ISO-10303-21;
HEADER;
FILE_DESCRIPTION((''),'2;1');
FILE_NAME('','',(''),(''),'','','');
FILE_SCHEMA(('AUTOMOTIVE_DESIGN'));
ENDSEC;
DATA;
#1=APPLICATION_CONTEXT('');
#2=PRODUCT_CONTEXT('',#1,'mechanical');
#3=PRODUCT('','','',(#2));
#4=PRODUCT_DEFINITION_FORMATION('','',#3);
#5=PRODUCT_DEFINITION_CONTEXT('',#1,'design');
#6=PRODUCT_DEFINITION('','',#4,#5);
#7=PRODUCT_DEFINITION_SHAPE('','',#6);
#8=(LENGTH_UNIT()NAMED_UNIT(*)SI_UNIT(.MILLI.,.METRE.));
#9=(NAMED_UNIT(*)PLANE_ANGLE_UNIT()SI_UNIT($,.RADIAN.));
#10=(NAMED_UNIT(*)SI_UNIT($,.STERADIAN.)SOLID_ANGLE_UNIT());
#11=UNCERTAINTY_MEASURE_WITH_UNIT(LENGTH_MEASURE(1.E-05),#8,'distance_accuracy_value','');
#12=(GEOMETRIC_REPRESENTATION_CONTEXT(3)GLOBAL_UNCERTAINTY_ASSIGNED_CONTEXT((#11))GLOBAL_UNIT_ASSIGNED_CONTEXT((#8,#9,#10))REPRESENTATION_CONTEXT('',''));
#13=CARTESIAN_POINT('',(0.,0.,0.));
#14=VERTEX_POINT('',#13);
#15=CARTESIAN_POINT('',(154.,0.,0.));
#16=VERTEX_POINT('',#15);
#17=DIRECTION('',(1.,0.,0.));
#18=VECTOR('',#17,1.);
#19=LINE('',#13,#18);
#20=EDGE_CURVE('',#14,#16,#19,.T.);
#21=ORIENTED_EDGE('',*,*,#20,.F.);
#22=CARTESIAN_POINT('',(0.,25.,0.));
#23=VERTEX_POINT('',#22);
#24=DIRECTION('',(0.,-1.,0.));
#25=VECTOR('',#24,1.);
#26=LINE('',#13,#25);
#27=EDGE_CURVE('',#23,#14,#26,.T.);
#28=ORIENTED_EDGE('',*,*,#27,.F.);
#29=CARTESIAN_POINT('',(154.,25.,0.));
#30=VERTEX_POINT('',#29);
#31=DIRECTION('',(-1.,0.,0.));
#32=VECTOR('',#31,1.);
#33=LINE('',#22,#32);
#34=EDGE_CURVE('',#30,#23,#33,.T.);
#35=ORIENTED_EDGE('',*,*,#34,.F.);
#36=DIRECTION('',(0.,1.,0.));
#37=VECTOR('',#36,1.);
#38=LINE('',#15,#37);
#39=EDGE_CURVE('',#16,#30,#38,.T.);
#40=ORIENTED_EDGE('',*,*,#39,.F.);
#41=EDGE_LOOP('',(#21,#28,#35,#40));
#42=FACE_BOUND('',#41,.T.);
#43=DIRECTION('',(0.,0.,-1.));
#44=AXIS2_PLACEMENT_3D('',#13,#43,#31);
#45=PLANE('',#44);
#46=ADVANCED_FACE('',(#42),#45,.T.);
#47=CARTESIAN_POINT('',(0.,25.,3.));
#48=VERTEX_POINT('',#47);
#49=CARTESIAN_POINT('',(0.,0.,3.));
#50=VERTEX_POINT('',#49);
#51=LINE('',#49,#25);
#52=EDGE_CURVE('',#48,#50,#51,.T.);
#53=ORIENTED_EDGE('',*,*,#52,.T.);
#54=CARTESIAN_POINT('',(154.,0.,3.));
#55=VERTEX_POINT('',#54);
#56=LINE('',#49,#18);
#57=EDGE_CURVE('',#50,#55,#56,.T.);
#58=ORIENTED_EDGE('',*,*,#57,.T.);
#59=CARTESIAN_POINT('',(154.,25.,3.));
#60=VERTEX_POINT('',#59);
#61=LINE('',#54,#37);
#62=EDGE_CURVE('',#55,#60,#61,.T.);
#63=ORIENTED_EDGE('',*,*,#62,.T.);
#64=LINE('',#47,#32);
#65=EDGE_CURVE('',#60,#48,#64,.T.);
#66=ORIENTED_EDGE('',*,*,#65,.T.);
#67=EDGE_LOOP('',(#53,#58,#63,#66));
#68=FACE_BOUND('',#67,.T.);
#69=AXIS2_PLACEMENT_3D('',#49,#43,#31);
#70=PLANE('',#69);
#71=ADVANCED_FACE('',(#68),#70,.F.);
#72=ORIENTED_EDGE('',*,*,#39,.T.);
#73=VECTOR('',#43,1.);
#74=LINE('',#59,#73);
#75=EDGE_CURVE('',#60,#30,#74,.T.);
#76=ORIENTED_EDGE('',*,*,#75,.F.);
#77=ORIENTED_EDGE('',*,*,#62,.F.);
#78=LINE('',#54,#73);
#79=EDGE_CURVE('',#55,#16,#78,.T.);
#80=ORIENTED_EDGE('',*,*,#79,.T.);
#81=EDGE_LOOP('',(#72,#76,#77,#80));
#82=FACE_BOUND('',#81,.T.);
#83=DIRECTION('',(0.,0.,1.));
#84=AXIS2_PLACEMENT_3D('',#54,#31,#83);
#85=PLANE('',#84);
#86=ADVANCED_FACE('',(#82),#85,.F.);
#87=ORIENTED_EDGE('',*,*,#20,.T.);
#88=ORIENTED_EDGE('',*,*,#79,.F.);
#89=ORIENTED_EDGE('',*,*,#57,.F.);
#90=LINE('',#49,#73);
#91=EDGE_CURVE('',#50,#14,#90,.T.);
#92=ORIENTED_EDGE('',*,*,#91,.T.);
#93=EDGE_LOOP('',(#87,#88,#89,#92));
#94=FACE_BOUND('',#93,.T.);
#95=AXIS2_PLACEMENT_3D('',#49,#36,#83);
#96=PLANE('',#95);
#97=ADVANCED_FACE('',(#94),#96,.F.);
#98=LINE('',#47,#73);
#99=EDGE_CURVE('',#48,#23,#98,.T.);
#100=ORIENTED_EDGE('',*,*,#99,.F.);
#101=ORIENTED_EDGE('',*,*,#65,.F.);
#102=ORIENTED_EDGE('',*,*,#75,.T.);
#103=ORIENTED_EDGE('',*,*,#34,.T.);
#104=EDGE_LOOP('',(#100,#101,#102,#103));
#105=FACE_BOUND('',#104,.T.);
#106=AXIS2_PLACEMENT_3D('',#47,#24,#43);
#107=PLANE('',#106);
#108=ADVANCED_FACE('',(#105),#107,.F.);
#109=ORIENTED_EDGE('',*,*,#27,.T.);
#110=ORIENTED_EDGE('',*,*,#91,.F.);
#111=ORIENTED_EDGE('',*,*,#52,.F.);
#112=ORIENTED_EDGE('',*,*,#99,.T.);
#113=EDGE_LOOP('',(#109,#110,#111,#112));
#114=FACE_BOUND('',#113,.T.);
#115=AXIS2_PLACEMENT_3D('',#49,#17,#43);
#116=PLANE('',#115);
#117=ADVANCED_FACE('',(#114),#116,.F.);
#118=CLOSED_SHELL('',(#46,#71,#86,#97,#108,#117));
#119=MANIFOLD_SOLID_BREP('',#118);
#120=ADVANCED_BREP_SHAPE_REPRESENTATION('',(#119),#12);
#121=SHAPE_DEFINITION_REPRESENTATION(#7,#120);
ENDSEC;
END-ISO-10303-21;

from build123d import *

# Parameters (mm, degrees)
SKETCH1_W     = 154
SKETCH1_H     = 25
PROFILE_DEPTH = 3


with BuildPart() as part:
    # Sketch1 → Profile (new body)
    with BuildSketch(Plane.XY):
        with Locations((77, 12.5)):
            Rectangle(SKETCH1_W, SKETCH1_H)
    extrude(amount=PROFILE_DEPTH)


solid = part.part
